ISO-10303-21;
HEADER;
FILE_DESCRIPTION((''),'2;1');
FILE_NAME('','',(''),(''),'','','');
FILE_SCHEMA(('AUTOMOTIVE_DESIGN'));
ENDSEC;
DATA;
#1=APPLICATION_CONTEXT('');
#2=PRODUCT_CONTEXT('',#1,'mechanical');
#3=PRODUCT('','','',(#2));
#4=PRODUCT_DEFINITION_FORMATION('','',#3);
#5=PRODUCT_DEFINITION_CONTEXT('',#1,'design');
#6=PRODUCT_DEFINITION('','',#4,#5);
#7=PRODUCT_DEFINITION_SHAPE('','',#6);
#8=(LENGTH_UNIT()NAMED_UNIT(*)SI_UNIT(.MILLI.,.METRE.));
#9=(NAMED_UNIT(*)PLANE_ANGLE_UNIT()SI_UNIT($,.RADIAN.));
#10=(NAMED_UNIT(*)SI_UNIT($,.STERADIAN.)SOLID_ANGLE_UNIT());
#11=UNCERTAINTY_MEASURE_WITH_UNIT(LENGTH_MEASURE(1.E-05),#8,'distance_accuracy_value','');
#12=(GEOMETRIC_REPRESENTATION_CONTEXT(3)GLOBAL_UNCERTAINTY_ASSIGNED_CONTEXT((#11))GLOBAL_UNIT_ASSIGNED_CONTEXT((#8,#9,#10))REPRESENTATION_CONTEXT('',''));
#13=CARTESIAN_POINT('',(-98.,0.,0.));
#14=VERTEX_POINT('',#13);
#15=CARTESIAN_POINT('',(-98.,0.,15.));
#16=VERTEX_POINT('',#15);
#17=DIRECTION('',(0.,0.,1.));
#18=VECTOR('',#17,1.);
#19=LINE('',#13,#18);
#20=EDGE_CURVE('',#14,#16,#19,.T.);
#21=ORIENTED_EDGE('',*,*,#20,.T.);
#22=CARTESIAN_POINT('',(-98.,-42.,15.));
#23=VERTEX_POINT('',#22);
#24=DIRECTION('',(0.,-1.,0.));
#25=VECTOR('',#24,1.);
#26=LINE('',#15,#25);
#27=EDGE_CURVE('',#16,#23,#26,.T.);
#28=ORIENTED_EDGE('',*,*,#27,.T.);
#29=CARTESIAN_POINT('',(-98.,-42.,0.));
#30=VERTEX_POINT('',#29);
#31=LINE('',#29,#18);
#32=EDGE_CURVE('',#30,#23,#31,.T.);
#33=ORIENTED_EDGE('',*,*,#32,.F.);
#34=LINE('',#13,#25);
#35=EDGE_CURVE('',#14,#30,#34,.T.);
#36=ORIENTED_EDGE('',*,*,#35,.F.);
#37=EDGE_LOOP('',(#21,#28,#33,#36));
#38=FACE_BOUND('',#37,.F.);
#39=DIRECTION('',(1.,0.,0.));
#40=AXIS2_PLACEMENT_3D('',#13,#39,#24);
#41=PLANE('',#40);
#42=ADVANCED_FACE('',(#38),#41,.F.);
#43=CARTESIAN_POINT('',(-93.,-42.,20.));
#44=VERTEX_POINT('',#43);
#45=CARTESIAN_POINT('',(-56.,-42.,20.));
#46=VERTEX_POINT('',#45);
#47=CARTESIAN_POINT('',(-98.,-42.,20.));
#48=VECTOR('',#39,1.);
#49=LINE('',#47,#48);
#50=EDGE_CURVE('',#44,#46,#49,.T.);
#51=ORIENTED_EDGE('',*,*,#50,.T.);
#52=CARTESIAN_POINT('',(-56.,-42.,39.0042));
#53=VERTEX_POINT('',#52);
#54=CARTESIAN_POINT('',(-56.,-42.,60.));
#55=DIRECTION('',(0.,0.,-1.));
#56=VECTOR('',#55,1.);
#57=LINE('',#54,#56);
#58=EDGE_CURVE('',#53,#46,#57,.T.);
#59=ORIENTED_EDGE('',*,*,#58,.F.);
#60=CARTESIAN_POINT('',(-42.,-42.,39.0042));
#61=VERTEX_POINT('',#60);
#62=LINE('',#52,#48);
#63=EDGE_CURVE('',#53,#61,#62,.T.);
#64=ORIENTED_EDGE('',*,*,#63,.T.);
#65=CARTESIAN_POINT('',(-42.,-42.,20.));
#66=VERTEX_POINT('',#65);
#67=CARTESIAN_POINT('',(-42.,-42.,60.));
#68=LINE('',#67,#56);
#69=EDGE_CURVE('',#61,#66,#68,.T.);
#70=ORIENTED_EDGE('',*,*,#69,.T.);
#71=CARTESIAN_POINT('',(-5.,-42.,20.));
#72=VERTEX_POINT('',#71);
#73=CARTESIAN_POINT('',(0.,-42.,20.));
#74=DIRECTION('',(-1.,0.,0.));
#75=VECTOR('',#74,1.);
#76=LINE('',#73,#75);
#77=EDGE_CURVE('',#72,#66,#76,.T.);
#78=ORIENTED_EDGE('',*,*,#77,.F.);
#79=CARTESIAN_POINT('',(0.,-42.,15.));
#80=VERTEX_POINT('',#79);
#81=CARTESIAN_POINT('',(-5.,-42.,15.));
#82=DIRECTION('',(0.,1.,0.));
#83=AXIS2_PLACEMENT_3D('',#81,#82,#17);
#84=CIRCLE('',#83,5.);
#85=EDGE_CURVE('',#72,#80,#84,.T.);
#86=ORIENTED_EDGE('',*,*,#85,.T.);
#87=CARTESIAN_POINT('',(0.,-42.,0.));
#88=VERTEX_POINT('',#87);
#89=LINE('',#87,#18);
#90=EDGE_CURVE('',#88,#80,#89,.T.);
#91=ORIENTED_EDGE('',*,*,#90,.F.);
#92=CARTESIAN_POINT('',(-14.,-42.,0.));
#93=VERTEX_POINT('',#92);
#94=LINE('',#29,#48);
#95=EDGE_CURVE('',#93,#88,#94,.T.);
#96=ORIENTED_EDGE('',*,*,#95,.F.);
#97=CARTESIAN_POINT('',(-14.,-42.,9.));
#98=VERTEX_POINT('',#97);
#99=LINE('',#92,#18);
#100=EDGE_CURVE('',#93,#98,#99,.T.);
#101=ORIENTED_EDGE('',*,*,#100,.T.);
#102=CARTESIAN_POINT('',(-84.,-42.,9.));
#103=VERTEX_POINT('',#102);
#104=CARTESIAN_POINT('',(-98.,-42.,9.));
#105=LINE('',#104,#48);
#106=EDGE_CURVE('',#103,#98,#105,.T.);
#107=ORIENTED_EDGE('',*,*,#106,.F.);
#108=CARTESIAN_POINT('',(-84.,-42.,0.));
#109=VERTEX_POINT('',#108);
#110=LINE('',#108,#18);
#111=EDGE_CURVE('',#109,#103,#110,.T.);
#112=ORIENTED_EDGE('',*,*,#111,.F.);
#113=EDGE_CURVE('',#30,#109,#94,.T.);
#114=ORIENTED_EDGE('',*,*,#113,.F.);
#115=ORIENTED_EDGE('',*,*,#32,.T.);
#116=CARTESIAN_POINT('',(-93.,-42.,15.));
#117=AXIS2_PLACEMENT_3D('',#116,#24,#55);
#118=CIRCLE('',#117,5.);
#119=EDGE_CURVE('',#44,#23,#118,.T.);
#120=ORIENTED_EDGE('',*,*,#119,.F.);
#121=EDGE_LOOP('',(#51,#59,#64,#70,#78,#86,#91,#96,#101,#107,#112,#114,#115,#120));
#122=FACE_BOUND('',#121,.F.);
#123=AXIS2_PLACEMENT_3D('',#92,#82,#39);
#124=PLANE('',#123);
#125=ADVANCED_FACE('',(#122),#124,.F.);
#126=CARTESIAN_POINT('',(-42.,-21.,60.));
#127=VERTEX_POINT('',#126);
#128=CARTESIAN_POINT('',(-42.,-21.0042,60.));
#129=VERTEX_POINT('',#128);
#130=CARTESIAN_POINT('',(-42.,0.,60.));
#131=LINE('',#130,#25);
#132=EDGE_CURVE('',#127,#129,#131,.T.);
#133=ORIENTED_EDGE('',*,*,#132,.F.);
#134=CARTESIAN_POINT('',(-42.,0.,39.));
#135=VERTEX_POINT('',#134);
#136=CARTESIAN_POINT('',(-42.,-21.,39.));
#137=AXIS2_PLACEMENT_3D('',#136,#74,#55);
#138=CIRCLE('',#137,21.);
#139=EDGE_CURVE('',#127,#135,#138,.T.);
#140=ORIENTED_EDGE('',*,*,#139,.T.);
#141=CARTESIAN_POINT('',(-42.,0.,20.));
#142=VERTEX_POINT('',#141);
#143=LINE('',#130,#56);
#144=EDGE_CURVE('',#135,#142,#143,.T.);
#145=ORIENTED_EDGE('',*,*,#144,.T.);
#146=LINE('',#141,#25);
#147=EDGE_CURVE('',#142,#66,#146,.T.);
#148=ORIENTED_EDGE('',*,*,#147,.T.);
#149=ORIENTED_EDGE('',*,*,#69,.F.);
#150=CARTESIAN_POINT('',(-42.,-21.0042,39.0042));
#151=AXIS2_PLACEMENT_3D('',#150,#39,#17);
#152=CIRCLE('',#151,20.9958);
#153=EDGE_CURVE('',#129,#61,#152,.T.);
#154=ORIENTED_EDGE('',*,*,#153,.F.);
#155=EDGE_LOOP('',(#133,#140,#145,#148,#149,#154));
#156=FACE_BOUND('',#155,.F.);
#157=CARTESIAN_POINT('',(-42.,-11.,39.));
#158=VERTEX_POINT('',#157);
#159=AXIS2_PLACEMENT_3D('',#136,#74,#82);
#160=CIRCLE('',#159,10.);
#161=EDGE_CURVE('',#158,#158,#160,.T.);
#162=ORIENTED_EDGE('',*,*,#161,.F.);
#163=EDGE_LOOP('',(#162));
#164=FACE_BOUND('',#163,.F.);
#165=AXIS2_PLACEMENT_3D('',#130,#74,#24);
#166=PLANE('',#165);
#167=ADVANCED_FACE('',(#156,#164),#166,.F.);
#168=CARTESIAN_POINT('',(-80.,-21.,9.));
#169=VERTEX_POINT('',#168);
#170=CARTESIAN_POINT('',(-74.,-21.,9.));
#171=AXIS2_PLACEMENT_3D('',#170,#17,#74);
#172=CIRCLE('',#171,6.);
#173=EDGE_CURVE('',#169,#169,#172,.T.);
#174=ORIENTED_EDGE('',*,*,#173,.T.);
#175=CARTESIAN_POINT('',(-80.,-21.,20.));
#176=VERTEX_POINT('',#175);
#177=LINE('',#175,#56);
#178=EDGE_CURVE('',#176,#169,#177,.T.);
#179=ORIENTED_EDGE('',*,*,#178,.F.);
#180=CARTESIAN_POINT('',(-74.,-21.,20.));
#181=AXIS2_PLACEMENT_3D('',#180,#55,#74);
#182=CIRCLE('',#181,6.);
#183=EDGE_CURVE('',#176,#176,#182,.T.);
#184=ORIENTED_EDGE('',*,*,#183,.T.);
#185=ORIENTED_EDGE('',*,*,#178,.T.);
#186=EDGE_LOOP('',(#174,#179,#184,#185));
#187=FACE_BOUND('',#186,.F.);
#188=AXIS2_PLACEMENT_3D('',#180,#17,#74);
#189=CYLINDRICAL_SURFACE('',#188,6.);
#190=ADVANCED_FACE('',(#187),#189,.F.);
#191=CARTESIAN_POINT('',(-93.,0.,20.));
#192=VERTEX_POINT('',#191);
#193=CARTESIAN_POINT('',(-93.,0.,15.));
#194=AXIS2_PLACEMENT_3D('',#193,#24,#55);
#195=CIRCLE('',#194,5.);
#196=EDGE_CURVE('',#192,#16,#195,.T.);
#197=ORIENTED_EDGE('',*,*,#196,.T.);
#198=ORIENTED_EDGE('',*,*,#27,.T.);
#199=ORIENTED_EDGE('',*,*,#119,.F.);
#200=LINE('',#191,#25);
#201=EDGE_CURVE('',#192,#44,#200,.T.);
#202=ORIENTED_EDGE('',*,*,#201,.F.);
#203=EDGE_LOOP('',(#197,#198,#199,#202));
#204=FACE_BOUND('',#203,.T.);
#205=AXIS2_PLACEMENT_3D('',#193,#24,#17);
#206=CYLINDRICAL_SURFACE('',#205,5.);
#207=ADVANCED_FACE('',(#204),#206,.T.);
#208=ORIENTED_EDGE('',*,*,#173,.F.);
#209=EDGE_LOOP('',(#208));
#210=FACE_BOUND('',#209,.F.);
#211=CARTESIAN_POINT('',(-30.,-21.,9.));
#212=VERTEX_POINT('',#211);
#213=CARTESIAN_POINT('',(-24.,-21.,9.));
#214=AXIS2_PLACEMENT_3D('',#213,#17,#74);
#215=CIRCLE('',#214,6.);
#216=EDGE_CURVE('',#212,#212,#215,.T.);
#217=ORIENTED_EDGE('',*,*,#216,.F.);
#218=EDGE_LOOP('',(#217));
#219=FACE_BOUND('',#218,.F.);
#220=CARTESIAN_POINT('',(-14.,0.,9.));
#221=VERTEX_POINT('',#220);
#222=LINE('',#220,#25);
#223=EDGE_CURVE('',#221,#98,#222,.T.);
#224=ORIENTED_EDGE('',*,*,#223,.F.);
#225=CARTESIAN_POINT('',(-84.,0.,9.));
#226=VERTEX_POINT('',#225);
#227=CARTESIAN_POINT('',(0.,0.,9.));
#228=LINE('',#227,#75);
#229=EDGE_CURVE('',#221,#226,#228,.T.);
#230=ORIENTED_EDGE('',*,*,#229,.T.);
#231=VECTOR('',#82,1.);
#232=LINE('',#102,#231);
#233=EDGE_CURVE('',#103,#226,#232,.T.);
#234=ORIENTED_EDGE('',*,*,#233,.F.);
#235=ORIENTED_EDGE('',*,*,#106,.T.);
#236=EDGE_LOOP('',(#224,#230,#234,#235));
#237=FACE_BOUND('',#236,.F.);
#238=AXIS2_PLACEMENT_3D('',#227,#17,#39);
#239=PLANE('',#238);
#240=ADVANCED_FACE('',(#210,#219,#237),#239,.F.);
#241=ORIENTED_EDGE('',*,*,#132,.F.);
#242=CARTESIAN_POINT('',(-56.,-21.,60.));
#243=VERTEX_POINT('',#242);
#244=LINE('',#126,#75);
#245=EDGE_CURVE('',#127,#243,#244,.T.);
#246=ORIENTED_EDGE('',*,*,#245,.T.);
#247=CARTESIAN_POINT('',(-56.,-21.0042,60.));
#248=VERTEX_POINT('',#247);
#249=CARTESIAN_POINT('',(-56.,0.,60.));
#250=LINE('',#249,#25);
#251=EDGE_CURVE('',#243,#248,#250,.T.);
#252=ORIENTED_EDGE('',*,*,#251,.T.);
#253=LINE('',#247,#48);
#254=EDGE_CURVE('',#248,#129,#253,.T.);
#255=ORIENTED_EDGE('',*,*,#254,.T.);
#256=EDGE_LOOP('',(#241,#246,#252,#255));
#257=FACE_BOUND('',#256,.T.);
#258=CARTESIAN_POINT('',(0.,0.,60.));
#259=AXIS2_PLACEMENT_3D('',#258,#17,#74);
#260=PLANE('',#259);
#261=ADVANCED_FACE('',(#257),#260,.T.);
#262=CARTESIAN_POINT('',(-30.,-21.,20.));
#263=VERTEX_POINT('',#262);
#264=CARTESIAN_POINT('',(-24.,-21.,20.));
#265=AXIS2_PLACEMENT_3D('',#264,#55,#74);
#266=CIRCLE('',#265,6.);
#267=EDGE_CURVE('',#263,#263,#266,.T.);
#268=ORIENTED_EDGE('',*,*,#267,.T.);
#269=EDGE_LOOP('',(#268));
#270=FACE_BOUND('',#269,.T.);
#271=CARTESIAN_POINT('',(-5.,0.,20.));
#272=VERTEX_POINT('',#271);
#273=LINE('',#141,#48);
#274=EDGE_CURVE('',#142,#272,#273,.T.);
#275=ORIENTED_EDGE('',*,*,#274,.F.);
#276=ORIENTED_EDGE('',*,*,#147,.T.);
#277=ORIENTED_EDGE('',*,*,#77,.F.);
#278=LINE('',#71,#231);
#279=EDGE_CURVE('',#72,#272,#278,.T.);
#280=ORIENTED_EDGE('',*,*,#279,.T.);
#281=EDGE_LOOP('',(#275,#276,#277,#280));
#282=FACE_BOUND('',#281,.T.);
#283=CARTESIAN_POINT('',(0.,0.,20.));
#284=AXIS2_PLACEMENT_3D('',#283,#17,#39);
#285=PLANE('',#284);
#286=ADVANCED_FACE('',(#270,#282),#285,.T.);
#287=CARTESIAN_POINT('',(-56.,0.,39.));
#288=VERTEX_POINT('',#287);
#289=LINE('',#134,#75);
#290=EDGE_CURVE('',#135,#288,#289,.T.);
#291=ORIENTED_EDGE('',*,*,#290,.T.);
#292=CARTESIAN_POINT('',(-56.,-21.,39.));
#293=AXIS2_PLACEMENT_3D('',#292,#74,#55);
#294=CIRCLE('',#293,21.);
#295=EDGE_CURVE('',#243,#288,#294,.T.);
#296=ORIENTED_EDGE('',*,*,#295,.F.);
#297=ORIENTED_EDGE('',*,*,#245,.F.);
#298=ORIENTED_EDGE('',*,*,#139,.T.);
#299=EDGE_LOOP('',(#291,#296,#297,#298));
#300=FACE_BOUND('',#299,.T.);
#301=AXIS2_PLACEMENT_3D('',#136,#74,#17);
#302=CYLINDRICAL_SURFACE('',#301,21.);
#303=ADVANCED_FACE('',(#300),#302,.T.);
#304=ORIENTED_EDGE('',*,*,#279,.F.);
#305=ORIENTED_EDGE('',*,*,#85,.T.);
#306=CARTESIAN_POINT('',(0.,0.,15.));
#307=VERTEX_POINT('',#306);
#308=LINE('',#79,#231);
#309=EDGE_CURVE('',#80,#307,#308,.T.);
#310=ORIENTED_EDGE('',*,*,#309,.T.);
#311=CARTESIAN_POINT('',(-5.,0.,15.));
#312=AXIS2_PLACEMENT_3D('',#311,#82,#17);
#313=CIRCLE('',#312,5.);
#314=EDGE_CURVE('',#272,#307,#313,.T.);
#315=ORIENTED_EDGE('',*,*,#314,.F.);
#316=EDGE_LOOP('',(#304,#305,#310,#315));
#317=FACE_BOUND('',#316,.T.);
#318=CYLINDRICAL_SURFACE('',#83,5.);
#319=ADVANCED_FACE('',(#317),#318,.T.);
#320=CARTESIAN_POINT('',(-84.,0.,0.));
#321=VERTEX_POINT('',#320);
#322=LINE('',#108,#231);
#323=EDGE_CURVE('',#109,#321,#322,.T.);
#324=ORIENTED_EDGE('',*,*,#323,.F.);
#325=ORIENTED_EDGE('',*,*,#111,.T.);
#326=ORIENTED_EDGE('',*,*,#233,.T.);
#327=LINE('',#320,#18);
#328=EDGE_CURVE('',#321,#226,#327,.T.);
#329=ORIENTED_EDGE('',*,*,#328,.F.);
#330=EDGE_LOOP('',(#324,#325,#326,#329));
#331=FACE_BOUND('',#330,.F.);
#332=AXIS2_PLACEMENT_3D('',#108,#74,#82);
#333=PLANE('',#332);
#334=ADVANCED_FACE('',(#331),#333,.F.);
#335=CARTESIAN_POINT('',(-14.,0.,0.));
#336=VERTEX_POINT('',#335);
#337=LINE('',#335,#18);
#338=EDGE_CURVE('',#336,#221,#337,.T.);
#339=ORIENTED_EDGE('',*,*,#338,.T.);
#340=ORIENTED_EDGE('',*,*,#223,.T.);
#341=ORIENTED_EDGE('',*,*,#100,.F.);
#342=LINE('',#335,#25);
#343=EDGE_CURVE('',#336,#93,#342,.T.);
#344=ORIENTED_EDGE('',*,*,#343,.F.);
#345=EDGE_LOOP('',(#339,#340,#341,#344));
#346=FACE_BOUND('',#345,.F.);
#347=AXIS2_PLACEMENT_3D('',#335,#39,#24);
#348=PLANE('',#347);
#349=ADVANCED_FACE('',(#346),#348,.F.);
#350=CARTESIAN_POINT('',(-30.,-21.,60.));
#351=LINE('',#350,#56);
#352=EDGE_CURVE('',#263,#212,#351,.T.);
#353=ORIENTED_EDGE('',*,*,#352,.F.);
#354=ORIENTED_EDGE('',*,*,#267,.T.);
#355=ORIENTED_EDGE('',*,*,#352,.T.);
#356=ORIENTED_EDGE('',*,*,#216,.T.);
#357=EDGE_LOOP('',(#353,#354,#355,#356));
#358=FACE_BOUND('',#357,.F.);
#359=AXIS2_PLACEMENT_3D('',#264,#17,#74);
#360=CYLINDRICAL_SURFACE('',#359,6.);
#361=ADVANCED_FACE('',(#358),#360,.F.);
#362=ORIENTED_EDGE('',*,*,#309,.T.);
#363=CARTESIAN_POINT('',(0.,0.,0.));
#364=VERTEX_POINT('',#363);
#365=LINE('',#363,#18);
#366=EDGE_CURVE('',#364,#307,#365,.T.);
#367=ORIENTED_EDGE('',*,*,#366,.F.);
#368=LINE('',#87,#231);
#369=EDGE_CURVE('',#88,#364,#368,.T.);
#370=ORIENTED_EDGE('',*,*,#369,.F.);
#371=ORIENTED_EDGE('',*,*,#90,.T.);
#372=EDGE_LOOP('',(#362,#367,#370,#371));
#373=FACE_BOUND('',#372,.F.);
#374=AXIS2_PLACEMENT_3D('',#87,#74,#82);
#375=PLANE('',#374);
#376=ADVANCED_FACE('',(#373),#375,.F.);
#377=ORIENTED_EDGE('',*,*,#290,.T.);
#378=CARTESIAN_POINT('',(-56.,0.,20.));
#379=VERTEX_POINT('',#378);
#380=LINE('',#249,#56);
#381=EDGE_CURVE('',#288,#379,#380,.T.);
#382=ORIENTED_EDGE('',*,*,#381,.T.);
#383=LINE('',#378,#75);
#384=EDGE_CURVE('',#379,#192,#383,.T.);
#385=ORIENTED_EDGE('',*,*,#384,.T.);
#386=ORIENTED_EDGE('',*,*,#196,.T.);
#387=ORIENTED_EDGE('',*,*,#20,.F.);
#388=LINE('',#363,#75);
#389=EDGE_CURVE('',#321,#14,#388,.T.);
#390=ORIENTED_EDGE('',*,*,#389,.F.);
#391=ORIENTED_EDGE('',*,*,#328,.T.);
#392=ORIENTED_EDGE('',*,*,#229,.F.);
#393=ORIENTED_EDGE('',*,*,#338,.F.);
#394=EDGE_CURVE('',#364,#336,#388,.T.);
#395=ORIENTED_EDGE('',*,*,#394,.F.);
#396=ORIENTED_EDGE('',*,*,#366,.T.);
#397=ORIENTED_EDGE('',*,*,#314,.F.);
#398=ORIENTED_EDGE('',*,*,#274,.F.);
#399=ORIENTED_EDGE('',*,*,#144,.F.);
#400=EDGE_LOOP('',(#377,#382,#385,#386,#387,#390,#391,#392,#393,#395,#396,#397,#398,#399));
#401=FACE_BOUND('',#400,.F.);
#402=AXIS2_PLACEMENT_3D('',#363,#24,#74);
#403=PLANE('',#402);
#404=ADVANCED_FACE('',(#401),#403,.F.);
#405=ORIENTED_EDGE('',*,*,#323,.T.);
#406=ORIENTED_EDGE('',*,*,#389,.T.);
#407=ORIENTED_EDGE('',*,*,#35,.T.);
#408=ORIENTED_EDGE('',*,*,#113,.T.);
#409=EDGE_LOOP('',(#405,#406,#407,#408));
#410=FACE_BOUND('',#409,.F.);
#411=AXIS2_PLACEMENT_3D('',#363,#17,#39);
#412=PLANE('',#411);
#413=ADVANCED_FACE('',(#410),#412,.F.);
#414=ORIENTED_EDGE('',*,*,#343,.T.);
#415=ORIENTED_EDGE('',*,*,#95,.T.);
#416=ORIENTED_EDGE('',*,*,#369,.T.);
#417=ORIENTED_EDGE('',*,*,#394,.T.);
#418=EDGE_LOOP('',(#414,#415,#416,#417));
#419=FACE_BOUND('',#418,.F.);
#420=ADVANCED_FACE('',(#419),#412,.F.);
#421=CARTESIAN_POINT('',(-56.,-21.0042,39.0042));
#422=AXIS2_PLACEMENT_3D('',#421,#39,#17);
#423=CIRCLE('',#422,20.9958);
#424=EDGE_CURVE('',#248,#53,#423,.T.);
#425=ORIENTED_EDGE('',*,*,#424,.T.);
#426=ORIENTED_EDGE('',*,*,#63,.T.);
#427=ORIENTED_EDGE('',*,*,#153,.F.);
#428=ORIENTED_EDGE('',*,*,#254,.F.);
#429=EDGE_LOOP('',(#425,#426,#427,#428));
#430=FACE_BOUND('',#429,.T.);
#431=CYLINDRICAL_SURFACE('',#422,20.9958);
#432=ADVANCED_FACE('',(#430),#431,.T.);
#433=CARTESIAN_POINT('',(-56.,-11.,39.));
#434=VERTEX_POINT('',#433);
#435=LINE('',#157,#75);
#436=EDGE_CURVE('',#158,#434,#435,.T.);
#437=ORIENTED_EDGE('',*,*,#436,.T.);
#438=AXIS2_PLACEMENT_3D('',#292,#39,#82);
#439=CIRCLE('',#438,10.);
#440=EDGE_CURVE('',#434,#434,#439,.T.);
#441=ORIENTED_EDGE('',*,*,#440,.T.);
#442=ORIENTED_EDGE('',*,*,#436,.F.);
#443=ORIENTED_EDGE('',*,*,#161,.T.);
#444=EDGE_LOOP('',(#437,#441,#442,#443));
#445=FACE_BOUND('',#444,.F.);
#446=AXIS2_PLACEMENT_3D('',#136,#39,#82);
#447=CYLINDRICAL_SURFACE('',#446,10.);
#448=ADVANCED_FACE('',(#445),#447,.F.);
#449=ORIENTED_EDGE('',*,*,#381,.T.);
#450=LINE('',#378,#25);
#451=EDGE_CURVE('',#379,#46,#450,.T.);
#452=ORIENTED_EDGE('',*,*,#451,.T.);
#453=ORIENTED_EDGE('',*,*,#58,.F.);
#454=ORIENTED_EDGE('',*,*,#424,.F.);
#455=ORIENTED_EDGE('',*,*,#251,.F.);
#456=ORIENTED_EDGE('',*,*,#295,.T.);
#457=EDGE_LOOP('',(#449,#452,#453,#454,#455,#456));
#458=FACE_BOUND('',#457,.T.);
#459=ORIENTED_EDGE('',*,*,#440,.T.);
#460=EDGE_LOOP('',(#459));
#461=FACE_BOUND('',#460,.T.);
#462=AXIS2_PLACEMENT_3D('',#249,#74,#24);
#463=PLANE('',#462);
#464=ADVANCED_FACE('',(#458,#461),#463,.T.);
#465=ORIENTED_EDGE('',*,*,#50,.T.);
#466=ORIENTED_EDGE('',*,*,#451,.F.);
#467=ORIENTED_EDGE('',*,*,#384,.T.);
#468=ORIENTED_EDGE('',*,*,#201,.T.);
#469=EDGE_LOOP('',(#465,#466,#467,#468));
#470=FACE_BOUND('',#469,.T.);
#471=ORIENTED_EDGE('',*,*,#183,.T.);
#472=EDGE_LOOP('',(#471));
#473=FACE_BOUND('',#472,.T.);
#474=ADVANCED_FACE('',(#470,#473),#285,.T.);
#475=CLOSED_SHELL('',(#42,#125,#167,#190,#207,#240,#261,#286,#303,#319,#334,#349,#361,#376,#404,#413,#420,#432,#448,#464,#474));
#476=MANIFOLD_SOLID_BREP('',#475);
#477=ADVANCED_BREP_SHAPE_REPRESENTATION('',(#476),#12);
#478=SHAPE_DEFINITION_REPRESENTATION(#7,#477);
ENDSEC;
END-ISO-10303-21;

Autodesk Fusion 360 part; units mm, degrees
sketch "Sketch1" plane through (0, 0, 0) normal (0, 0, 1) x (1, 0, 0)
  line L0 (0, 0) -> (-98, 0)
  line L1 (-98, 0) -> (-98, -42)
  line L2 (-98, -42) -> (0, -42)
  line L3 (0, -42) -> (0, 0)
  line L4 (0, 0) -> (-14, 0)
  line L5 (0, 0) -> (-14, 0)
  line L6 (-14, 0) -> (-14, -42)
  line L7 (-14, -42) -> (0, -42)
  line L8 (0, -42) -> (0, 0)
  line L9 (-98, 0) -> (-84, 0)
  line L10 (-98, 0) -> (-98, -42)
  line L11 (-84, 0) -> (-98, 0)
  line L12 (-98, 0) -> (-98, -42)
  line L13 (-98, -42) -> (-84, -42)
  line L14 (-84, -42) -> (-84, 0)
  dimension "d1" = 98
  dimension "d2" = 42
  dimension "d3" = 14
  dimension "d4" = 14
  dimension "d5" = 14
extrude "Extrude1" add sketch "Sketch1" along normal blind 20
extrude "Extrude2" cut sketch "Sketch1" along normal blind 9 contours L0 L2 L6 L14
sketch "Sketch2" plane through (0, 0, 0) normal (0, 0, 1) x (1, 0, 0)
sketch "Sketch3" plane through (0, 0, 20) normal (0, 0, 1) x (-1, 0, 0)
  line L0 (98, 42) -> (0, 42)
  line L1 (0, 42) -> (0, 0)
  line L2 (0, 0) -> (98, 0)
  line L3 (98, 0) -> (98, 42)
  line L4 (0, 0) -> (24, 0)
  line L5 (24, 0) -> (24, 42)
  line L6 (24, 42) -> (0, 42)
  line L7 (0, 42) -> (0, 0)
  circle A0 centre (24, 21) radius 6
  line L8 (98, 0) -> (74, 0)
  line L9 (74, 0) -> (74, 42)
  line L10 (74, 42) -> (98, 42)
  line L11 (98, 42) -> (98, 0)
  circle A1 centre (74, 21) radius 6
  dimension "d10" = 24
  dimension "d11" = 42
  dimension "d12" = 12
  dimension "d13" = 24
  dimension "d14" = 12
extrude "Extrude3" cut sketch "Sketch3" against normal blind 15 contours L5 A0 | L5 A0
extrude "Extrude4" cut sketch "Sketch3" against normal blind 15 contours L9 A1 | L9 A1
sketch "Sketch4" plane through (0, 0, 20) normal (0, 0, 1) x (-1, 0, 0)
  line L0 (74, 0) -> (24, 0)
  line L1 (24, 0) -> (24, 42)
  line L2 (24, 42) -> (74, 42)
  line L3 (74, 42) -> (74, 0)
extrude "Extrude5" add sketch "Sketch3" along normal blind 40 contours L0 L2 L5 A0 L9 A1
sketch "Sketch5" plane through (0, 0, 60) normal (0, 0, 1) x (-1, 0, 0)
  line L0 (24, 0) -> (74, 0)
  line L1 (74, 0) -> (74, 15)
  arc A0 (74, 27) -> (74, 15) centre (74, 21) ccw
  line L2 (74, 27) -> (74, 42)
  line L3 (74, 42) -> (24, 42)
  line L4 (24, 42) -> (24, 27)
  arc A1 (24, 15) -> (24, 27) centre (24, 21) ccw
  line L5 (24, 15) -> (24, 0)
  line L6 (74, 0) -> (24, 0)
  line L7 (24, 0) -> (24, 42)
  line L8 (24, 42) -> (74, 42)
  line L9 (74, 42) -> (74, 0)
  line L10 (74, 0) -> (49, 0)
  line L11 (74, 0) -> (49, 0)
  line L12 (49, 0) -> (49, 42)
  line L13 (49, 42) -> (74, 42)
  line L14 (74, 42) -> (74, 0)
  line L15 (49, 0) -> (42, 0)
  line L16 (42, 0) -> (42, 42)
  line L17 (42, 42) -> (49, 42)
  line L18 (49, 42) -> (49, 0)
  line L19 (49, 0) -> (56, 0)
  line L20 (56, 0) -> (56, 42)
  line L21 (56, 42) -> (49, 42)
  line L22 (49, 42) -> (49, 0)
  dimension "d21" = 25
  dimension "d22" = 7
  dimension "d23" = 7
extrude "Extrude6" cut sketch "Sketch5" against normal blind 40 contours L0 L1 A0 L2 L3 L6 L8 L9 L10 L11 L13 L14 L20
extrude "Extrude7" cut sketch "Sketch5" against normal blind 40 contours L0 L3 L4 A1 L5 L6 L7 L8 L16
sketch "Sketch6" plane through (0, 0, 60) normal (0, 0, 1) x (-1, 0, 0)
fillet "Fillet1" radius 5 1 edges at (-98, -21, 20)
fillet "Fillet2" radius 5 1 edges at (0, -21, 20)
fillet "Fillet3" radius 21 1 edges at (-49, 0, 60)
fillet "Fillet4" radius 21 1 edges at (-49, -42, 60)
sketch "Sketch7" plane through (-42, 0, 0) normal (1, 0, 0) x (0, 1, 0)
  arc A0 (0, 39) -> (-42, 39) centre (-21, 39) ccw
  line L0 (-42, 39) -> (-42, 20)
  line L1 (-42, 20) -> (0, 20)
  line L2 (0, 20) -> (0, 39)
  line L3 (-42, 39) -> (0, 39)
  line L4 (0, 39) -> (0, 20)
  line L5 (0, 20) -> (-42, 20)
  line L6 (-42, 20) -> (-42, 39)
  circle A1 centre (-21, 39) radius 10
  dimension "d36" = 20
extrude "Extrude8" cut sketch "Sketch7" against normal blind 14 contours L3 A1 | L3 A1
